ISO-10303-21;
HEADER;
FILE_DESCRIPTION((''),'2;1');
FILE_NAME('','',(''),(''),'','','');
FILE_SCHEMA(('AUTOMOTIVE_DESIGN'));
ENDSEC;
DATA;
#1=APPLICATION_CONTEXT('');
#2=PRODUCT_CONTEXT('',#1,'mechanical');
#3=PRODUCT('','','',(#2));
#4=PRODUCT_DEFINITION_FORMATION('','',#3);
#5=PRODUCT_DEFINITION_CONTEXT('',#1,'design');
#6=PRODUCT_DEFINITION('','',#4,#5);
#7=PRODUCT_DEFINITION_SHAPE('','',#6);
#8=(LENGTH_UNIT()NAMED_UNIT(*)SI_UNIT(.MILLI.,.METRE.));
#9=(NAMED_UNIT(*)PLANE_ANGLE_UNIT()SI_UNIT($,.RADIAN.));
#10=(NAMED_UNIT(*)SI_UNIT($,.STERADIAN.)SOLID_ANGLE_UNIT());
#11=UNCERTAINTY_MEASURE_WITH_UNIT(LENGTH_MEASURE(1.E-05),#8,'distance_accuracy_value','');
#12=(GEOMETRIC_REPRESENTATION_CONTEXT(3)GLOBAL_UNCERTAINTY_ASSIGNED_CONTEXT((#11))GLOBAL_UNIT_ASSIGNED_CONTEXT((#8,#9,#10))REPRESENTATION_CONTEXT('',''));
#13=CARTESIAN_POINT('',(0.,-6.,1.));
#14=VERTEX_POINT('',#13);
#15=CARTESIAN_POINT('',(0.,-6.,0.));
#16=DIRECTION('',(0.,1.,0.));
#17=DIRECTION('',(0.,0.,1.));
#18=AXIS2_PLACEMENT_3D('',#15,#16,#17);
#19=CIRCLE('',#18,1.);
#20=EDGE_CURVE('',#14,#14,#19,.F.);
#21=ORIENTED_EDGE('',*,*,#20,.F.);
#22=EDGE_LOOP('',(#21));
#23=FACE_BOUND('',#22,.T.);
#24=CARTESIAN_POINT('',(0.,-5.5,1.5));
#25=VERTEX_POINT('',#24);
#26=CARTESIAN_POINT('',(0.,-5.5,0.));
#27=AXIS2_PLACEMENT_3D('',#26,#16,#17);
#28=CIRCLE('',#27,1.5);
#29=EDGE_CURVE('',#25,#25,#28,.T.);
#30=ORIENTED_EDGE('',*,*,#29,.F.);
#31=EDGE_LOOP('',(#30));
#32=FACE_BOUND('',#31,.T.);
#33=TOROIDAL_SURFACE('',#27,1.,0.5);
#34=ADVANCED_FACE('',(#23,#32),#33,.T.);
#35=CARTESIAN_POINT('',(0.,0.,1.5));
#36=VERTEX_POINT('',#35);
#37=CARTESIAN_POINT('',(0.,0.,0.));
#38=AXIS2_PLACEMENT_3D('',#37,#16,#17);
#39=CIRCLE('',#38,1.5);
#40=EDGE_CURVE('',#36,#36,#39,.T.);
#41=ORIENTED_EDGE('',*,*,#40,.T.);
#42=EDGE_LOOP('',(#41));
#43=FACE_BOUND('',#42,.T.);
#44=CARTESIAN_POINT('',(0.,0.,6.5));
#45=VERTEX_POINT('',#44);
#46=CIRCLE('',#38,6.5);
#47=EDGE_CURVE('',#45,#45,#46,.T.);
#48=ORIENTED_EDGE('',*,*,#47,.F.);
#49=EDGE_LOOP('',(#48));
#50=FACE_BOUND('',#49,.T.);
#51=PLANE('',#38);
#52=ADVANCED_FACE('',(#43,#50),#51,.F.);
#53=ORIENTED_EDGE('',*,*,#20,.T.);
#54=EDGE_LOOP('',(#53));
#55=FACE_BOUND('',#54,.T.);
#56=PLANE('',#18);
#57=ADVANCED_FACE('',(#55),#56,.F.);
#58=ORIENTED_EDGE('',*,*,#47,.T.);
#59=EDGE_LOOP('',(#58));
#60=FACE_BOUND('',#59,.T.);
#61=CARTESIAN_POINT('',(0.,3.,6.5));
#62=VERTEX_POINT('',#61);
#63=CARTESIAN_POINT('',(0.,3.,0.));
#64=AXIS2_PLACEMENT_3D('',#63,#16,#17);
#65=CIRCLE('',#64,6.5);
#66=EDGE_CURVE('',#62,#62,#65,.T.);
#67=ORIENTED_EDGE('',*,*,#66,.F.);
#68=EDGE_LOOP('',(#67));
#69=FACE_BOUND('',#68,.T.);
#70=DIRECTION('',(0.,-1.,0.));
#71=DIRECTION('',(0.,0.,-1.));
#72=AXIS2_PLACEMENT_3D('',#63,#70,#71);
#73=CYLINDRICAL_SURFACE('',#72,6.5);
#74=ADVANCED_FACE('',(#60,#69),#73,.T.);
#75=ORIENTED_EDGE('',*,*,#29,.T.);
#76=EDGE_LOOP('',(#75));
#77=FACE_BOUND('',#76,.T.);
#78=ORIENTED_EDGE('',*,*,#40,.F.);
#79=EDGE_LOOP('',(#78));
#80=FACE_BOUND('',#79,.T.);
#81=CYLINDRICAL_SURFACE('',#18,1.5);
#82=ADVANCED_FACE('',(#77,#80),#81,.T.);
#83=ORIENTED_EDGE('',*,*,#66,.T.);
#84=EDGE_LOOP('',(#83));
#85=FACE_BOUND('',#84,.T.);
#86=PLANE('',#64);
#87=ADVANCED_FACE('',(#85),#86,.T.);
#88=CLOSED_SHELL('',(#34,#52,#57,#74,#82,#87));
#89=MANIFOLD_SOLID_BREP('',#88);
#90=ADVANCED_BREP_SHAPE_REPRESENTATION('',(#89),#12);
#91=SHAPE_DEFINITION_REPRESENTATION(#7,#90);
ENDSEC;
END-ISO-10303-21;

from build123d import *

# Parameters (mm, degrees)
SKETCH1_R           = 6.5
BOSS_EXTRUDE1_DEPTH = 3
SKETCH2_R           = 1.5
BOSS_EXTRUDE2_DEPTH = 6
FILLET1_R           = 0.5


with BuildPart() as part:
    # Sketch1 → Boss-Extrude1 (new body)
    with BuildSketch(Plane(origin=(0, 0, 0), x_dir=(1, 0, 0), z_dir=(0, 1, 0))):
        with Locations(Location((0, 0, 0), (0, 0, 270))):
            Circle(SKETCH1_R)
    extrude(amount=BOSS_EXTRUDE1_DEPTH)

    # Sketch2 → Boss-Extrude2 (add)
    with BuildSketch(Plane(origin=(0, 0, 0), x_dir=(1, 0, 0), z_dir=(0, 1, 0))):
        with Locations(Location((0, 0, 0), (0, 0, 270))):
            Circle(SKETCH2_R)
    extrude(amount=-BOSS_EXTRUDE2_DEPTH)

    # Fillet1
    fillet1_edges = [part.edges().sort_by_distance(p)[0] for p in [
        (0, -6, -1.5),
    ]]
    fillet(fillet1_edges, radius=FILLET1_R)


solid = part.part
